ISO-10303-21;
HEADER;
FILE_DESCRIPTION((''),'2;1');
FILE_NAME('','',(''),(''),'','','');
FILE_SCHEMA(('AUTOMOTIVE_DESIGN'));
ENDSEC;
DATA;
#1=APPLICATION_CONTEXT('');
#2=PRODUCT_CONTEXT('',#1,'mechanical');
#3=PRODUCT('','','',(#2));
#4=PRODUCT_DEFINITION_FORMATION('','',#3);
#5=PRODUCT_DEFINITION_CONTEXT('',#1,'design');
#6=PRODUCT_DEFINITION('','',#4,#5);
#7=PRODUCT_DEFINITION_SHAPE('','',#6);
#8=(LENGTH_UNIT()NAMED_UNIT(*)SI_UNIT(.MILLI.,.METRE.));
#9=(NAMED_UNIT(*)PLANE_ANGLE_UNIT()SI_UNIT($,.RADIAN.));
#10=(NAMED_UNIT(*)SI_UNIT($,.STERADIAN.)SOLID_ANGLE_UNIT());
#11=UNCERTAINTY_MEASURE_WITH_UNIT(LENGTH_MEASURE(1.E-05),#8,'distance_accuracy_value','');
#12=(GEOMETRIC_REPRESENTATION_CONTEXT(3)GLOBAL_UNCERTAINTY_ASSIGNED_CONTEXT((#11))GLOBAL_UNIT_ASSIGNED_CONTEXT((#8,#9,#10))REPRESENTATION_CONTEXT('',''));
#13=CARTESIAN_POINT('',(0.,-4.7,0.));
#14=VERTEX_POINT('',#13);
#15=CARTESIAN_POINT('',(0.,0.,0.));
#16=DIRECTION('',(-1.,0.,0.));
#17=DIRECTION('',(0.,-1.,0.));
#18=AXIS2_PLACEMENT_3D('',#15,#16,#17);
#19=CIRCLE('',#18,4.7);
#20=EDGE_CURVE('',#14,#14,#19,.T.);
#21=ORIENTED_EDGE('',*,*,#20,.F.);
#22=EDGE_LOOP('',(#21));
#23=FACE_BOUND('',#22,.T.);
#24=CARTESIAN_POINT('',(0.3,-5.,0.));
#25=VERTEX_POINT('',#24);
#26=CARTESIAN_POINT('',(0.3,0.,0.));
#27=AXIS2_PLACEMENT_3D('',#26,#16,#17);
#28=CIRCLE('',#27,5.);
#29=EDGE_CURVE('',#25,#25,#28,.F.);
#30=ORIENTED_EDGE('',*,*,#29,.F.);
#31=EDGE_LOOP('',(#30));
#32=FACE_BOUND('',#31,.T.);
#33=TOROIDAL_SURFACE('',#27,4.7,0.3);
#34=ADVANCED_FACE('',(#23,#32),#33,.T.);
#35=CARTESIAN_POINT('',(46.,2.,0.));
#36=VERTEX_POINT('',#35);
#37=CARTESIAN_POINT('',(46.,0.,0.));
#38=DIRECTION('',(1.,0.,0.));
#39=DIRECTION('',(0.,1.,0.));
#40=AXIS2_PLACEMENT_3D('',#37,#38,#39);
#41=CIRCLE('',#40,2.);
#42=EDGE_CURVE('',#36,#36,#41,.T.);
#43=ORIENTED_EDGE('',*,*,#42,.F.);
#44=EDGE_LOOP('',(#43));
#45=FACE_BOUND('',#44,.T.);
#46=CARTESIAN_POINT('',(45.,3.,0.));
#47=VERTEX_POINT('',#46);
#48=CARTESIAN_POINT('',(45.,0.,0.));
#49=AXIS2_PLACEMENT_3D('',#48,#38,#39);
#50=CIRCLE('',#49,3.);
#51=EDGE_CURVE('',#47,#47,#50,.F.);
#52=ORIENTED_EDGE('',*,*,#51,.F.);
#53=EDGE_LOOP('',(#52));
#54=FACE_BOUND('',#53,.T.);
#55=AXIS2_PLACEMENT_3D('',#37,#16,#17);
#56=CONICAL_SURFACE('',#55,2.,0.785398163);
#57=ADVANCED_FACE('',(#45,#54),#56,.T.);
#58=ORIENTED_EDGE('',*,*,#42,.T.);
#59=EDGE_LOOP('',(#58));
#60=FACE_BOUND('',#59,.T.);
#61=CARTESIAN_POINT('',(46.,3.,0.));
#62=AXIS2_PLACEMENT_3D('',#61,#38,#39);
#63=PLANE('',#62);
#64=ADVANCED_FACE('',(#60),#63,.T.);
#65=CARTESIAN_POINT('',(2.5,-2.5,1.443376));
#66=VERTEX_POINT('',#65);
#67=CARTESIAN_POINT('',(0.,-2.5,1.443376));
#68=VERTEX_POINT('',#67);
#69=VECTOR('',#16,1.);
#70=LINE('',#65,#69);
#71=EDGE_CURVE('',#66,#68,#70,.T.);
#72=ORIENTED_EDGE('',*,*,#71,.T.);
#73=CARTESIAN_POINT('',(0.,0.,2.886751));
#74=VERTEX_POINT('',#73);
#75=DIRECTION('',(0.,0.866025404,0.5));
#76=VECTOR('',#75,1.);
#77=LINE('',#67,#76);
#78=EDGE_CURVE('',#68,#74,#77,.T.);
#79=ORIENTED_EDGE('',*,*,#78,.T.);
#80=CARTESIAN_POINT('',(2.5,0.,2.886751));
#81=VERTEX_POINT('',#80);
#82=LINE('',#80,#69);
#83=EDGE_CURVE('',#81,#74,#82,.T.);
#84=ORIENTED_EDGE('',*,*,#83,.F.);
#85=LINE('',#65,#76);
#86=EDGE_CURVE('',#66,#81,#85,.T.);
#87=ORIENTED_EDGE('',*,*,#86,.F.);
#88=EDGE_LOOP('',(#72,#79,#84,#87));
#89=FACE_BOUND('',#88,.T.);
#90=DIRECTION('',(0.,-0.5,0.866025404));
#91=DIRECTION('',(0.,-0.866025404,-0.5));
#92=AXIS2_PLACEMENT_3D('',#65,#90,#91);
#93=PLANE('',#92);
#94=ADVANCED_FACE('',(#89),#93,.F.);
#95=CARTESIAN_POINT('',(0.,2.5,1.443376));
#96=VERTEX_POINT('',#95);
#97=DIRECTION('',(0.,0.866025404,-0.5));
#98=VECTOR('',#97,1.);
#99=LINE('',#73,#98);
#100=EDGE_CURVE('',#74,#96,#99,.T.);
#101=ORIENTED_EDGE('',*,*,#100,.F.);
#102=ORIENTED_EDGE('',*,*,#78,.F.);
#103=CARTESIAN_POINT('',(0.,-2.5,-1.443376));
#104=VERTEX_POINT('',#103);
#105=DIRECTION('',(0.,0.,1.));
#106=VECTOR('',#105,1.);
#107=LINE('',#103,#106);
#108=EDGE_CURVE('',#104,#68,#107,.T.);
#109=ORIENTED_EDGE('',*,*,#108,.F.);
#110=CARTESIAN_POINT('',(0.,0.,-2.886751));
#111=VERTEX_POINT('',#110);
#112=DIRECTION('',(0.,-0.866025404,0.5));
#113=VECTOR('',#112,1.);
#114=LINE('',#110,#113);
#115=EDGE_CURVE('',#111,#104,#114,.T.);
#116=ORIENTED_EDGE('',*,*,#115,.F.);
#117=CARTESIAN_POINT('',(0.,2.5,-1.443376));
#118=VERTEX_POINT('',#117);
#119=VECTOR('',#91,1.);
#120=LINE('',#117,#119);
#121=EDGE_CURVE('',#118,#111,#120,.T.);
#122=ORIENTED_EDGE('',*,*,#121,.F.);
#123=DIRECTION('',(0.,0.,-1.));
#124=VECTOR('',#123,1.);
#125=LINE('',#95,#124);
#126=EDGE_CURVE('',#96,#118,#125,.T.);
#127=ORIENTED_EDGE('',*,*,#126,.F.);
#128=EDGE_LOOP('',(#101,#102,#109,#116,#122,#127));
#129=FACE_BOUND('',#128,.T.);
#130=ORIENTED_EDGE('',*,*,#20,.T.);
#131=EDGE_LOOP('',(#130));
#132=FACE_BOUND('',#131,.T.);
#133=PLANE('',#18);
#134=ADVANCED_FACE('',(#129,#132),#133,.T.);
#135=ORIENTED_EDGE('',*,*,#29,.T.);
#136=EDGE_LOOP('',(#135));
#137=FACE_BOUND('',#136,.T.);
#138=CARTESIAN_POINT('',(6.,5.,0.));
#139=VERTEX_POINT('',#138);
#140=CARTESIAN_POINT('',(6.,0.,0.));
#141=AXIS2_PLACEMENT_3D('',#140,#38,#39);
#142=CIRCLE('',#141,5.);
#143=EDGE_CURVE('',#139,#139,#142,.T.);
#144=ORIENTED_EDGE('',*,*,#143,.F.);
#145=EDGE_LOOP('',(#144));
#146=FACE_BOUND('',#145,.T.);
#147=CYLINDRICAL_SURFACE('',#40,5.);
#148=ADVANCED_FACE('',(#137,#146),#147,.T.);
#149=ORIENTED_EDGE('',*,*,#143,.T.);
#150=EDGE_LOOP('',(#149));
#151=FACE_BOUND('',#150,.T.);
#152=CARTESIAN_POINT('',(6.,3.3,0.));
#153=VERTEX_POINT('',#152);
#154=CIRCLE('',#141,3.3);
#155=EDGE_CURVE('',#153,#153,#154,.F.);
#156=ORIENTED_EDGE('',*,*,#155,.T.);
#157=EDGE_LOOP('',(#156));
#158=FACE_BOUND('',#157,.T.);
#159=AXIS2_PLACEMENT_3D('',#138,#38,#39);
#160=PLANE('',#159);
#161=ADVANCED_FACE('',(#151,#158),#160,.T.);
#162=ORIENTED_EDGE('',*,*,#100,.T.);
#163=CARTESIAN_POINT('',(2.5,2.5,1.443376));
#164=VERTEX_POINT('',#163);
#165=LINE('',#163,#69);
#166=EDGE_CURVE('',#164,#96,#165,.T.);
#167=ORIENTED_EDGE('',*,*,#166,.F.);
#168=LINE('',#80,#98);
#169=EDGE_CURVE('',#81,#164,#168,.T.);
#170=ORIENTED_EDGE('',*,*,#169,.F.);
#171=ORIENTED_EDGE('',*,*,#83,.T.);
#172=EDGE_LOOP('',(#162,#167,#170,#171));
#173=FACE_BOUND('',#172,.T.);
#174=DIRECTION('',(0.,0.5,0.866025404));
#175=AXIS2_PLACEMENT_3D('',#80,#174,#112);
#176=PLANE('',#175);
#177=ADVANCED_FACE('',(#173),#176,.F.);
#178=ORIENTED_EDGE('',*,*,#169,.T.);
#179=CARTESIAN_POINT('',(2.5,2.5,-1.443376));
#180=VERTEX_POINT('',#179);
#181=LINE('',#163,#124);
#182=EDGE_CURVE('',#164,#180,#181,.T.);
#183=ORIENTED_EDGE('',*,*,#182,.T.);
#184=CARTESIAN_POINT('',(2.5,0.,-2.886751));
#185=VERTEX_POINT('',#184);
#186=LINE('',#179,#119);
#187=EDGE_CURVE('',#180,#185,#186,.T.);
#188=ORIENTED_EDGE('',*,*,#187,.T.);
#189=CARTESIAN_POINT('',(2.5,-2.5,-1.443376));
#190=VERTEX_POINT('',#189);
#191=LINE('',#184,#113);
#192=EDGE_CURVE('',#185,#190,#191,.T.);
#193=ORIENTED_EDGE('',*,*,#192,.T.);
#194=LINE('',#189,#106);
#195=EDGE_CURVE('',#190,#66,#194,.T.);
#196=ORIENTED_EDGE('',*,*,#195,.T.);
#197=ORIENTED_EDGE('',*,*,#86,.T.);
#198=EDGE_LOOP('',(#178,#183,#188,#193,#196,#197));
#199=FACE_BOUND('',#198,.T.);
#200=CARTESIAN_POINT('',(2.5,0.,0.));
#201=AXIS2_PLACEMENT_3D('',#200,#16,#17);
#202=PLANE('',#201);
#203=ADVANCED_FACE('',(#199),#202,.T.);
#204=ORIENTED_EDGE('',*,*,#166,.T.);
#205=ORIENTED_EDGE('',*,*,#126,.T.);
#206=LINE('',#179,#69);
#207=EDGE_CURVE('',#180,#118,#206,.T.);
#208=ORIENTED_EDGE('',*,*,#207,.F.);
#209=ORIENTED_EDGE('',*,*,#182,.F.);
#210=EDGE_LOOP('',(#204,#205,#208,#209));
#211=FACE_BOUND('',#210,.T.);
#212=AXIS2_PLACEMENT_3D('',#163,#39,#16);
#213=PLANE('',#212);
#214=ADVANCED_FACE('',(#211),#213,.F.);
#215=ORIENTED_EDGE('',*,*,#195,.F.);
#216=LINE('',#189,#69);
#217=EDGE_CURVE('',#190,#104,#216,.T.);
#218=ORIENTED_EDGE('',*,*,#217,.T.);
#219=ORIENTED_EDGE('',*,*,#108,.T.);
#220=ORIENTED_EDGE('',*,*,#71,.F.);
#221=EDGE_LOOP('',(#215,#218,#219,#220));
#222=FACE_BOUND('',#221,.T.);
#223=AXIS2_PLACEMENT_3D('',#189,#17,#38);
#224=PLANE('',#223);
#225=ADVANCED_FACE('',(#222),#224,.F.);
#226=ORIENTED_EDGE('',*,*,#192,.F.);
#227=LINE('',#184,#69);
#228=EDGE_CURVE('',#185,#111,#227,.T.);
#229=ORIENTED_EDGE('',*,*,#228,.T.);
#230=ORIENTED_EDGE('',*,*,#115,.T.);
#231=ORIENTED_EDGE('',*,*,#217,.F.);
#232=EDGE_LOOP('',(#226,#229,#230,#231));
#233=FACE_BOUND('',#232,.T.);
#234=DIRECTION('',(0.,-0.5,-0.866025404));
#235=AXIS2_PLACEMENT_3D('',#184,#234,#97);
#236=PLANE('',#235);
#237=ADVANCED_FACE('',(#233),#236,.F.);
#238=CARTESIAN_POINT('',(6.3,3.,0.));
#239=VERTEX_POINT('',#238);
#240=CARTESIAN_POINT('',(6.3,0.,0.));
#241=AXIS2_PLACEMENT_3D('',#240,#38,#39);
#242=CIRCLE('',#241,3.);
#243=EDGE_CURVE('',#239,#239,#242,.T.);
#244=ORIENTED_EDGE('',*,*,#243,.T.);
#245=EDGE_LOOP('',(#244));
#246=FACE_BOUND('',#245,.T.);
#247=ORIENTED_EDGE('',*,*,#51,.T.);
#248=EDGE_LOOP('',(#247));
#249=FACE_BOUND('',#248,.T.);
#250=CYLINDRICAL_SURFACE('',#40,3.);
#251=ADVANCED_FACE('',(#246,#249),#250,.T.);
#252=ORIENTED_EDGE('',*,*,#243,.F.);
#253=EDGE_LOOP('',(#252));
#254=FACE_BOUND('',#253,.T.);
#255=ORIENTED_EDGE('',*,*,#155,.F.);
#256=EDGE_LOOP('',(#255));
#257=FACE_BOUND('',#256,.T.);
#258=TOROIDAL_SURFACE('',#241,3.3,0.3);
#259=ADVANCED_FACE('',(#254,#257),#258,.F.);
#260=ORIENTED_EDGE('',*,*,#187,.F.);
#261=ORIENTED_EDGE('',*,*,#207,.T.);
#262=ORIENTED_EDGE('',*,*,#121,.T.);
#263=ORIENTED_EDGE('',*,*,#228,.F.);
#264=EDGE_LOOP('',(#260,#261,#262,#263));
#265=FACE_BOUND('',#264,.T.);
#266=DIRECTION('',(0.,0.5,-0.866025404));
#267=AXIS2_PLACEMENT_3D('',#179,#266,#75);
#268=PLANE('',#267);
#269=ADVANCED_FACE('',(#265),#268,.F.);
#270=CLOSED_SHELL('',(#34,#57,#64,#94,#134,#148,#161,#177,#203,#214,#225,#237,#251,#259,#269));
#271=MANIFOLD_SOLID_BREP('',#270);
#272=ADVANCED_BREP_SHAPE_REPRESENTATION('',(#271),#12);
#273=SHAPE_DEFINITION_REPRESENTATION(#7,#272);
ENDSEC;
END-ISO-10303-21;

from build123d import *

# Parameters (mm, degrees)
CUT_EXTRUDE_1_DEPTH = 2.5
FILLET_1_R          = 0.3
CHAMFER_1_SIZE      = 1


with BuildPart() as part:
    # Эскиз1 → Повернуть1 (revolve)
    with BuildSketch(Plane.XY):
        Polygon((0, 0), (0, 5), (6, 5), (6, 3), (46, 3), (46, 0), align=None)
    revolve(axis=Axis((46, 0, 0), (-1, 0, 0)))

    # Эскиз2 → Вырез-Вытянуть1 (cut)
    with BuildSketch(Plane.ZY):
        Polygon((-1.443375673, 2.5), (-2.886751346, 0), (-1.443375673, -2.5), (1.443375673, -2.5), (2.886751346, 0), (1.443375673, 2.5), align=None)
    extrude(amount=-CUT_EXTRUDE_1_DEPTH, mode=Mode.SUBTRACT)

    # Скругление1
    fillet_1_edges = [part.edges().sort_by_distance(p)[0] for p in [
        (6, -3, 0),
        (0, -5, 0),
    ]]
    fillet(fillet_1_edges, radius=FILLET_1_R)

    # Фаска1
    chamfer_1_edges = [part.edges().sort_by_distance(p)[0] for p in [
        (46, -3, 0),
    ]]
    chamfer(chamfer_1_edges, length=CHAMFER_1_SIZE)


solid = part.part
